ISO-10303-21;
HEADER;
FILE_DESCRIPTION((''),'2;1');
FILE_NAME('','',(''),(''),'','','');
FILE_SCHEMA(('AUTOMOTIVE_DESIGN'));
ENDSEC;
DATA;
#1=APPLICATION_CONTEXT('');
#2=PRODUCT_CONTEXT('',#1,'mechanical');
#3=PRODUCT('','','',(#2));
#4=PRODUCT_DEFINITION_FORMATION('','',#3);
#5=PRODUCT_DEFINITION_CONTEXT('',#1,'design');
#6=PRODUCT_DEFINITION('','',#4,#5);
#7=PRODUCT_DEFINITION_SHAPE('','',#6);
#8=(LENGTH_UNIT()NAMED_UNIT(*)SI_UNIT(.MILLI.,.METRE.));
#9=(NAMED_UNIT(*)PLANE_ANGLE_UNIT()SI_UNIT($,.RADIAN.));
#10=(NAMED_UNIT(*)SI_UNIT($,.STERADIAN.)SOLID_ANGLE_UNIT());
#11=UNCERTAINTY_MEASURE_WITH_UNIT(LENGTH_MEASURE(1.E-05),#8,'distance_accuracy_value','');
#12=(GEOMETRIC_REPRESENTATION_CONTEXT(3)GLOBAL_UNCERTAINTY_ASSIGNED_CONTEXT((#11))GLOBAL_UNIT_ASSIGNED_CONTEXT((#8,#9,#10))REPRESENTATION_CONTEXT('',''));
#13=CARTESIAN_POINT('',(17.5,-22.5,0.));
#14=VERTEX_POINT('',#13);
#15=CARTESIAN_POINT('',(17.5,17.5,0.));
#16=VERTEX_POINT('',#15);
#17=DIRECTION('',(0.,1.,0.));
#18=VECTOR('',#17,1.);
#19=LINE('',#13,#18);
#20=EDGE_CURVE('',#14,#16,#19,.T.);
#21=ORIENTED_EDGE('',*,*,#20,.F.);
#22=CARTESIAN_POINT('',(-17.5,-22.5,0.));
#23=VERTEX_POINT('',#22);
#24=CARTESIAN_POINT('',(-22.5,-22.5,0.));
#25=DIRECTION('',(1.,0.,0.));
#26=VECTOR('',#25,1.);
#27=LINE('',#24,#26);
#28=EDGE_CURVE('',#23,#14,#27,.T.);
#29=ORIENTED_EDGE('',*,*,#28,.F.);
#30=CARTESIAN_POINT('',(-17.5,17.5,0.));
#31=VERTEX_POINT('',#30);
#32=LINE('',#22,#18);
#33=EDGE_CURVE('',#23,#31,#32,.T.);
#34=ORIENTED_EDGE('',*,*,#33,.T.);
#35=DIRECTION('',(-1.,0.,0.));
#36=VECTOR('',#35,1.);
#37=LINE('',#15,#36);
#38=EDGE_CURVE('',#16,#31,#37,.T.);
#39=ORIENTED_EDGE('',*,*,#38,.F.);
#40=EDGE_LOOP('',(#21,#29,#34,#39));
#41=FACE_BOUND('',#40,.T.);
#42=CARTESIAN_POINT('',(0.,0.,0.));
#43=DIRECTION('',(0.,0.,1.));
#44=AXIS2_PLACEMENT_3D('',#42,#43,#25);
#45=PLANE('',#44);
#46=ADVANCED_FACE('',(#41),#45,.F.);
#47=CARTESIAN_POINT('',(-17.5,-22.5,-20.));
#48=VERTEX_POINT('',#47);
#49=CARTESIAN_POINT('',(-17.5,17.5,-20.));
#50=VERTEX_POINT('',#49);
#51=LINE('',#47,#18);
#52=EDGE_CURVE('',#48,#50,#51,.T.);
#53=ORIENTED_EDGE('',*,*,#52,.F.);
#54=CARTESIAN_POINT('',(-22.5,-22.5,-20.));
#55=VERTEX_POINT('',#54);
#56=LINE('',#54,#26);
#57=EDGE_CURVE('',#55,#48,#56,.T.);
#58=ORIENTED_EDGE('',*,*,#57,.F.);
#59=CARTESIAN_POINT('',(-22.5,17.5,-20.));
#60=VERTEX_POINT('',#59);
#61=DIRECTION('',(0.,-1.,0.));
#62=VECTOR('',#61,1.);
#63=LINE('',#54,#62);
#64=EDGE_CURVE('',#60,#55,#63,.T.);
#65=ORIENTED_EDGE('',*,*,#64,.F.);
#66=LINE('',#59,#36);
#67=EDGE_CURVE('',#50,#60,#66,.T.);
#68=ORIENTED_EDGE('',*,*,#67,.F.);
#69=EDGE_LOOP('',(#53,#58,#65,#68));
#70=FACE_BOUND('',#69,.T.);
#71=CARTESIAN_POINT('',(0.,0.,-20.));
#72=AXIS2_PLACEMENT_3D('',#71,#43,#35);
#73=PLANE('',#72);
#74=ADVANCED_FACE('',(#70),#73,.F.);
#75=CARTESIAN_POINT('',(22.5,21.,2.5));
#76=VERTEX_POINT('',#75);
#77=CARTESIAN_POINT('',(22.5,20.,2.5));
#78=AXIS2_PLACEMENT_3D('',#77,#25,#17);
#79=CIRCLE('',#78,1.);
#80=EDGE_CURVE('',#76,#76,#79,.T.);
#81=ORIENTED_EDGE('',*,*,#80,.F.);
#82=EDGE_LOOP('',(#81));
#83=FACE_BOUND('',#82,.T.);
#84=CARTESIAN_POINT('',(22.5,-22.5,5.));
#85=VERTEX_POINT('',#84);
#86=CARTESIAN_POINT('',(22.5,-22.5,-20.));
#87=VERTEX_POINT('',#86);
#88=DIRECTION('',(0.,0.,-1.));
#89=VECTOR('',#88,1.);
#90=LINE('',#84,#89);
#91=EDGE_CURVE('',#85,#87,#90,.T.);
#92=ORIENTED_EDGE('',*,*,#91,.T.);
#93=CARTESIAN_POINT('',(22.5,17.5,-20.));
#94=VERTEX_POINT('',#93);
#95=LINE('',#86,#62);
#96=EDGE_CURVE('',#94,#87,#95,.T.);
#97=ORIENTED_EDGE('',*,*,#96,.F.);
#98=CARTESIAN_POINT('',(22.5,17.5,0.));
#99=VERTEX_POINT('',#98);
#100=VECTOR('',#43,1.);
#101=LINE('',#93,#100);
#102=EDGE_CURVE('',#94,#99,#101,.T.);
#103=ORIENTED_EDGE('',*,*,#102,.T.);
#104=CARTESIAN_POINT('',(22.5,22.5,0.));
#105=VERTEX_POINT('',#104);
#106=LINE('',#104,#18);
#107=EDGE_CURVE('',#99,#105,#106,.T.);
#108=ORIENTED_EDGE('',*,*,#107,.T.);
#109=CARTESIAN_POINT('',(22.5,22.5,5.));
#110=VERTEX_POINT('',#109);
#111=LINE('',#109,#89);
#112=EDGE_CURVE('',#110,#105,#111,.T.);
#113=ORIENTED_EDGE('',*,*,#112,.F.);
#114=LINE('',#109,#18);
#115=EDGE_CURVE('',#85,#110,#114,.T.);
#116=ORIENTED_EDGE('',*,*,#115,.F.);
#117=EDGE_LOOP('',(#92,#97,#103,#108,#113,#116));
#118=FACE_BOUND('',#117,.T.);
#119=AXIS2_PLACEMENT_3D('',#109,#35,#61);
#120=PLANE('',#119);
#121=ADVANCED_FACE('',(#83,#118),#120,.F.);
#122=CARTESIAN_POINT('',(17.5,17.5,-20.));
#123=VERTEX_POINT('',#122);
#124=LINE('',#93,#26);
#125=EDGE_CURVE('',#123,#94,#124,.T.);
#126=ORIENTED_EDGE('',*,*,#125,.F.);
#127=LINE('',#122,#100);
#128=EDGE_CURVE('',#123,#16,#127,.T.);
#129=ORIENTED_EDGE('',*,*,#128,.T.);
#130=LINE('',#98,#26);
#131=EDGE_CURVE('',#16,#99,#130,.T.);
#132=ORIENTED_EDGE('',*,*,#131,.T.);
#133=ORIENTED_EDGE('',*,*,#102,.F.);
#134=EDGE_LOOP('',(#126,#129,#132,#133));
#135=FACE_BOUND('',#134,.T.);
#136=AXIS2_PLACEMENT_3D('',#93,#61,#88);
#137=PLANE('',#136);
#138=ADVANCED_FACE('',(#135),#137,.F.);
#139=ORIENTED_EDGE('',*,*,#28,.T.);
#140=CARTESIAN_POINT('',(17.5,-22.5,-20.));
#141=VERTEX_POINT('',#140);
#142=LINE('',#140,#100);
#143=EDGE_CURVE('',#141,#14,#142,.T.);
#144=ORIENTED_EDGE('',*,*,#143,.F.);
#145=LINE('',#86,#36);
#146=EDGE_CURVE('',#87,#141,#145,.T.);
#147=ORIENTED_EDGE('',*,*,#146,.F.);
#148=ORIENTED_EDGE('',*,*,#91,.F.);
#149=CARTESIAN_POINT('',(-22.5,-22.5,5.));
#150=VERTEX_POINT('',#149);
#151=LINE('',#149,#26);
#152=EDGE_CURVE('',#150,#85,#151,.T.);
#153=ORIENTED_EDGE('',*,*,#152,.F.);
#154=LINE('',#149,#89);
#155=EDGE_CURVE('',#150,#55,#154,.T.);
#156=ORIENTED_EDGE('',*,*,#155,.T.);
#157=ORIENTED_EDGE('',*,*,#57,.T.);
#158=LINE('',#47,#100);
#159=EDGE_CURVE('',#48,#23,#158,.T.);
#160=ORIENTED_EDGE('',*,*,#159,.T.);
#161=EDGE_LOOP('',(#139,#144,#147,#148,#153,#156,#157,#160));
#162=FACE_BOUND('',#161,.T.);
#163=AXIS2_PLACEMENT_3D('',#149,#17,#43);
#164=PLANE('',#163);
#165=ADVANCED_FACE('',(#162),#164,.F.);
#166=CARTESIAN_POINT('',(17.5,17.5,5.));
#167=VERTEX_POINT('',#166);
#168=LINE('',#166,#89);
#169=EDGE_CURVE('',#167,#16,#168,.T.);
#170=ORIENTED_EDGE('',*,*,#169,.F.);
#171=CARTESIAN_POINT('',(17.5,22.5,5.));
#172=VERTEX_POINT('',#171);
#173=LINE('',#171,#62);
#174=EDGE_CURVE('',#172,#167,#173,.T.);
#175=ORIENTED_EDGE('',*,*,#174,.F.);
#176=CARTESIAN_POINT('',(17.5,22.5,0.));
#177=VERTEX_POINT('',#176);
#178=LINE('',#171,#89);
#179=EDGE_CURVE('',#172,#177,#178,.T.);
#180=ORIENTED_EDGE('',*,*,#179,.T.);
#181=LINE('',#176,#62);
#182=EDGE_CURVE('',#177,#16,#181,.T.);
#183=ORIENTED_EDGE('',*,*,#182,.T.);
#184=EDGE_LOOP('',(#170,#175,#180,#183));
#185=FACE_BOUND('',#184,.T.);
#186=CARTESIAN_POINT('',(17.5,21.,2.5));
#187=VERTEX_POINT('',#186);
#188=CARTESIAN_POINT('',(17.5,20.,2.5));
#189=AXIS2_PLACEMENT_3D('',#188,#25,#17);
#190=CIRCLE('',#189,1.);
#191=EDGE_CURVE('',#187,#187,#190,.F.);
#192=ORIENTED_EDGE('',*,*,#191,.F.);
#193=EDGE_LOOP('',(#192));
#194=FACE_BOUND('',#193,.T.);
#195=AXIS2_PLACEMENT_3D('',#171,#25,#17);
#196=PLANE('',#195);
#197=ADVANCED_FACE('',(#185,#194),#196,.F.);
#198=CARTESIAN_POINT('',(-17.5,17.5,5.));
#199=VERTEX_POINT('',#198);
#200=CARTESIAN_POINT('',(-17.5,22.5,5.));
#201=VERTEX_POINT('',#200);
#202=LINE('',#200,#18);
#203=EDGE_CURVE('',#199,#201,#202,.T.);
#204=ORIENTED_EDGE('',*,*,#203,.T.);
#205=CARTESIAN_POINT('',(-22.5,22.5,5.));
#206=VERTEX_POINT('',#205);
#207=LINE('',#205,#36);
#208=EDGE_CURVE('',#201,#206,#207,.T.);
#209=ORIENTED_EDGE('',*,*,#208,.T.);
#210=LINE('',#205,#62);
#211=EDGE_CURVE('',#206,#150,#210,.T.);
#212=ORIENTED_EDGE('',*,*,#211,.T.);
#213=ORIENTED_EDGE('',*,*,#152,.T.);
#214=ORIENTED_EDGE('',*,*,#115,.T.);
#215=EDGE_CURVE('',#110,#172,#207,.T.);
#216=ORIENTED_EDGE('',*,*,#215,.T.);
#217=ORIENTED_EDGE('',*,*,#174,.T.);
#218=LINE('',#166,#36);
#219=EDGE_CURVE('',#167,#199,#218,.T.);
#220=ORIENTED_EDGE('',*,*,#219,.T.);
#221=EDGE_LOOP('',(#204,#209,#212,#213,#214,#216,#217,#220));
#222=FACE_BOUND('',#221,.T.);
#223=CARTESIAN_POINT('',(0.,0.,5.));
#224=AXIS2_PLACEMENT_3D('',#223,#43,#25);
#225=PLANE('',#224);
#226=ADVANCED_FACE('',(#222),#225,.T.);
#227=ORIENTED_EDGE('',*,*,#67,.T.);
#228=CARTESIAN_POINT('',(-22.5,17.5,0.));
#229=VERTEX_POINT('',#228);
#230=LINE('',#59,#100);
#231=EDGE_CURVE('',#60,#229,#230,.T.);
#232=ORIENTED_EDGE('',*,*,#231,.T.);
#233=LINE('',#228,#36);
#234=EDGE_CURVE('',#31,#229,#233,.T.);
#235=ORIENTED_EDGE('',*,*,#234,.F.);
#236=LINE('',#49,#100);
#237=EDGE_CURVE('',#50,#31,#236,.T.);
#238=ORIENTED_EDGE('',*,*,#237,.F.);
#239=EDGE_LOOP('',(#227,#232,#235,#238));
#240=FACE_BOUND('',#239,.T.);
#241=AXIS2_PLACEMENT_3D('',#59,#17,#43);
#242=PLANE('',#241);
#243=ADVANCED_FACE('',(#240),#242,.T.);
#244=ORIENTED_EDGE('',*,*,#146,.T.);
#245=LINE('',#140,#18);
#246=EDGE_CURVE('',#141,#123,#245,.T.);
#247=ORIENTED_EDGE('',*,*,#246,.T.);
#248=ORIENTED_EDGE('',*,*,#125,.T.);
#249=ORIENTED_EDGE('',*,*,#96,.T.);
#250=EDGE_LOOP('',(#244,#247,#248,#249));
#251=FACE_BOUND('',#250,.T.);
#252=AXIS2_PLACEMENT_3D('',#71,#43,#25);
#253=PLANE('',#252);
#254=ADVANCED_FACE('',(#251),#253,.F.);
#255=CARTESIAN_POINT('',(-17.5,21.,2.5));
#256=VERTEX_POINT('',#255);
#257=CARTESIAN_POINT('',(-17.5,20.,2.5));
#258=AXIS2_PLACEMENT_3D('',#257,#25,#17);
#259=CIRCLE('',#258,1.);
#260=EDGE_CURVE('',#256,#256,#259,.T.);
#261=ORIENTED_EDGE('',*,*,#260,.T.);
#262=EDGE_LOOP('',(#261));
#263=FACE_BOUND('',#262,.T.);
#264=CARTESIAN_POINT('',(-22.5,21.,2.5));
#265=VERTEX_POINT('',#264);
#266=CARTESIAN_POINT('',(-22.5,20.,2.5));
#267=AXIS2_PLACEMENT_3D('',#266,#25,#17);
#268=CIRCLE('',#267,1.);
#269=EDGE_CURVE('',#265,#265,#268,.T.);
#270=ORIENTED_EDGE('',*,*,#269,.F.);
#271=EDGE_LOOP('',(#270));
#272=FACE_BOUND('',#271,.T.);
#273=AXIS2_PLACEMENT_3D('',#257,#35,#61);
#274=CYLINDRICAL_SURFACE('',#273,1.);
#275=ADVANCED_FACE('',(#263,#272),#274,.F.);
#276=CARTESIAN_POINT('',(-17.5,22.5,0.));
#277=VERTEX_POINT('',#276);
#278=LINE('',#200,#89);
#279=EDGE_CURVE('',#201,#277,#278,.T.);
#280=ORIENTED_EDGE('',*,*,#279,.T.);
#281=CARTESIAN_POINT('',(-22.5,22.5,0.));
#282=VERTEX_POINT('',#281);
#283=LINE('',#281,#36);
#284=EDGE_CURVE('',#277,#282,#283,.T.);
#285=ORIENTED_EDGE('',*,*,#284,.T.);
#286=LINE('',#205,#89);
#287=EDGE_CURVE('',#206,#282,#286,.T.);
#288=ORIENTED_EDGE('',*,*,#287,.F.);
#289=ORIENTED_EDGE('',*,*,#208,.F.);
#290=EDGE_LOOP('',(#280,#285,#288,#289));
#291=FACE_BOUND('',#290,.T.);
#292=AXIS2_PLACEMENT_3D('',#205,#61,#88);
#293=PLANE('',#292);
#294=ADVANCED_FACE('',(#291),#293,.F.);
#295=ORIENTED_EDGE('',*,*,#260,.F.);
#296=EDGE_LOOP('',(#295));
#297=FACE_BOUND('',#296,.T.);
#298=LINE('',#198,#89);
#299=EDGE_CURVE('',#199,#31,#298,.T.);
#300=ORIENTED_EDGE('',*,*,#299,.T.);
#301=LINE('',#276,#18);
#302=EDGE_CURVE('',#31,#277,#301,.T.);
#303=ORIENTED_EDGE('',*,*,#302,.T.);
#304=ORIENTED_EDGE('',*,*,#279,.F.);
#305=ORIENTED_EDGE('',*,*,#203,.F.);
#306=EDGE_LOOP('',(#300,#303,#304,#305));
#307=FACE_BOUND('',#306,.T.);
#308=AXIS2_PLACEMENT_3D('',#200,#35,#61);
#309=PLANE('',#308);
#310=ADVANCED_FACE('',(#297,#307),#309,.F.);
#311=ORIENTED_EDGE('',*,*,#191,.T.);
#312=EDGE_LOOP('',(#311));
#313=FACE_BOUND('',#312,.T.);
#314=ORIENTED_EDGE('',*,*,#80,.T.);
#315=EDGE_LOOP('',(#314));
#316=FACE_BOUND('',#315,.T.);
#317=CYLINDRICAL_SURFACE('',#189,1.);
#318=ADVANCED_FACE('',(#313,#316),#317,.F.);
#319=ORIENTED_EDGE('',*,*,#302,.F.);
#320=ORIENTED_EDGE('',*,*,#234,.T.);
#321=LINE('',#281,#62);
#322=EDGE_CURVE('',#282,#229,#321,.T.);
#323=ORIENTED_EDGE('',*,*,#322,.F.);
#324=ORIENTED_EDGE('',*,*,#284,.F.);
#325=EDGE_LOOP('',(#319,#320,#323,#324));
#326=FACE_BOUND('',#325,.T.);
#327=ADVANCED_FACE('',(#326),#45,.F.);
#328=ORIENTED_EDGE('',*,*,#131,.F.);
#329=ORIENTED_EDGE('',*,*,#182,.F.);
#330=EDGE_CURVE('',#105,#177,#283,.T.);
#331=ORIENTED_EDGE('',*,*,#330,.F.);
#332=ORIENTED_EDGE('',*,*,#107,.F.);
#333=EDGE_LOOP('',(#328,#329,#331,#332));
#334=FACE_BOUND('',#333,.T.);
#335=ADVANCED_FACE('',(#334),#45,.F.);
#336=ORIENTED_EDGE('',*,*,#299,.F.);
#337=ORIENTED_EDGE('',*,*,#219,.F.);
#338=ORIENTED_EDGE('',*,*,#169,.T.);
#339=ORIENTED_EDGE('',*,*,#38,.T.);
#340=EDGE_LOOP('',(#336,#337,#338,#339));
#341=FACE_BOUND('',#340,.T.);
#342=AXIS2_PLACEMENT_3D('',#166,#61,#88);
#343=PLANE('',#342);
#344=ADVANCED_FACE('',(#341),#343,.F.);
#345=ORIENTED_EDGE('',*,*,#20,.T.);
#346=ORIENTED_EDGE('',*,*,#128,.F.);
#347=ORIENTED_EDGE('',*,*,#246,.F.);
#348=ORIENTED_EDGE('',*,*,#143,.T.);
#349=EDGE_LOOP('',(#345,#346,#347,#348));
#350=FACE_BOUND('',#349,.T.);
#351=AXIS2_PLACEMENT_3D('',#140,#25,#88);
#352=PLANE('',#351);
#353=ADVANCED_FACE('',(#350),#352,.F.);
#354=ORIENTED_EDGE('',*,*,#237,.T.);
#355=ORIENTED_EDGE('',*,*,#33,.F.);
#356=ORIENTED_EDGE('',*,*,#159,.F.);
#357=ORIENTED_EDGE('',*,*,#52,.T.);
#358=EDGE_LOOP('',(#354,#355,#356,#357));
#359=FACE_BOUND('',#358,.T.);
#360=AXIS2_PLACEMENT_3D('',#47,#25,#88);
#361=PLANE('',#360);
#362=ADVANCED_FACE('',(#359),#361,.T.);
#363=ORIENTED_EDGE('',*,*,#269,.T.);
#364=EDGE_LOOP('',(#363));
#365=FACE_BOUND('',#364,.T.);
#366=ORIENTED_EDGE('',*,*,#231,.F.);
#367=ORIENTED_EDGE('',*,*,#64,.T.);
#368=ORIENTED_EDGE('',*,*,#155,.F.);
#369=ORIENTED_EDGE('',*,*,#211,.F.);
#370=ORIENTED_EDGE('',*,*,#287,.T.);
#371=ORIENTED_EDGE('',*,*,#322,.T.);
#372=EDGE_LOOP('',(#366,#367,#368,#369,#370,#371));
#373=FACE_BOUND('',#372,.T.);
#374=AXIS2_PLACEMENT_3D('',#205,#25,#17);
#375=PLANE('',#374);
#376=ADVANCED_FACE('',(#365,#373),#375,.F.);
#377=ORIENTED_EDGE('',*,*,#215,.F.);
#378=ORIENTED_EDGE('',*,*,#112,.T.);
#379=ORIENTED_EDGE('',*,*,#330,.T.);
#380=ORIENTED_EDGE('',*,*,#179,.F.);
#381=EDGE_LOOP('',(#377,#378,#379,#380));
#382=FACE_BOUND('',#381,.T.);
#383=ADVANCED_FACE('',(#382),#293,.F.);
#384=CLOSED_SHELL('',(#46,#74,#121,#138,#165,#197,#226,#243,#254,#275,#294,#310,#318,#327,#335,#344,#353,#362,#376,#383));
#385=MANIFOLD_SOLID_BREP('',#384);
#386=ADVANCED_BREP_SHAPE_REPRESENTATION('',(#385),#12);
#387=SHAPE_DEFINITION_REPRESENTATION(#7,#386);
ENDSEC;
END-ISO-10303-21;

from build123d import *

# Parameters (mm, degrees)
SKETCH_1_W          = 45
SKETCH_1_H          = 45
EXTRUDE_1_DEPTH     = 5
SKETCH_2_R          = 1
CUT_EXTRUDE_2_DEPTH = 5
SKETCH_3_W          = 35
SKETCH_3_H          = 5
CUT_EXTRUDE_3_DEPTH = 33.210246817
SKETCH_4_W          = 5
SKETCH_4_H          = 40
EXTRUDE_2_DEPTH     = 20


with BuildPart() as part:
    # 草圖1 → 填料-伸長1 (new body)
    with BuildSketch(Plane.XY):
        Rectangle(SKETCH_1_W, SKETCH_1_H)
    extrude(amount=EXTRUDE_1_DEPTH)

    # 草圖2 → 除料-伸長2 (cut)
    with BuildSketch(Plane(origin=(22.5, 0, 0), x_dir=(0, 0, -1), z_dir=(1, 0, 0))):
        with Locations(Location((-2.5, 20, 0), (0, 0, 90))):
            Circle(SKETCH_2_R)
    cut_extrude_2 = extrude(amount=-CUT_EXTRUDE_2_DEPTH, mode=Mode.SUBTRACT)

    # 草圖3 → 除料-伸長3 (cut, through all)
    with BuildSketch(Plane(origin=(0, 0, 0), x_dir=(-1, 0, 0), z_dir=(0, 0, -1))):
        with Locations((0, 20)):
            Rectangle(SKETCH_3_W, SKETCH_3_H)
    extrude(amount=-CUT_EXTRUDE_3_DEPTH, mode=Mode.SUBTRACT)

    # 鏡射1: 除料-伸長2 across plane
    add(cut_extrude_2.mirror(Plane(origin=(0, 0, 0), x_dir=(0, 0, 1), z_dir=(1, 0, 0))), mode=Mode.SUBTRACT)

    # 草圖4 → 填料-伸長2 (add)
    with BuildSketch(Plane(origin=(0, 0, 0), x_dir=(-1, 0, 0), z_dir=(0, 0, -1))):
        with Locations((-20, -2.5)):
            Rectangle(SKETCH_4_W, SKETCH_4_H)
    extrude_2 = extrude(amount=EXTRUDE_2_DEPTH)

    # 鏡射2: 填料-伸長2 across plane
    add(extrude_2.mirror(Plane(origin=(0, 0, 0), x_dir=(0, 0, 1), z_dir=(1, 0, 0))))


solid = part.part
